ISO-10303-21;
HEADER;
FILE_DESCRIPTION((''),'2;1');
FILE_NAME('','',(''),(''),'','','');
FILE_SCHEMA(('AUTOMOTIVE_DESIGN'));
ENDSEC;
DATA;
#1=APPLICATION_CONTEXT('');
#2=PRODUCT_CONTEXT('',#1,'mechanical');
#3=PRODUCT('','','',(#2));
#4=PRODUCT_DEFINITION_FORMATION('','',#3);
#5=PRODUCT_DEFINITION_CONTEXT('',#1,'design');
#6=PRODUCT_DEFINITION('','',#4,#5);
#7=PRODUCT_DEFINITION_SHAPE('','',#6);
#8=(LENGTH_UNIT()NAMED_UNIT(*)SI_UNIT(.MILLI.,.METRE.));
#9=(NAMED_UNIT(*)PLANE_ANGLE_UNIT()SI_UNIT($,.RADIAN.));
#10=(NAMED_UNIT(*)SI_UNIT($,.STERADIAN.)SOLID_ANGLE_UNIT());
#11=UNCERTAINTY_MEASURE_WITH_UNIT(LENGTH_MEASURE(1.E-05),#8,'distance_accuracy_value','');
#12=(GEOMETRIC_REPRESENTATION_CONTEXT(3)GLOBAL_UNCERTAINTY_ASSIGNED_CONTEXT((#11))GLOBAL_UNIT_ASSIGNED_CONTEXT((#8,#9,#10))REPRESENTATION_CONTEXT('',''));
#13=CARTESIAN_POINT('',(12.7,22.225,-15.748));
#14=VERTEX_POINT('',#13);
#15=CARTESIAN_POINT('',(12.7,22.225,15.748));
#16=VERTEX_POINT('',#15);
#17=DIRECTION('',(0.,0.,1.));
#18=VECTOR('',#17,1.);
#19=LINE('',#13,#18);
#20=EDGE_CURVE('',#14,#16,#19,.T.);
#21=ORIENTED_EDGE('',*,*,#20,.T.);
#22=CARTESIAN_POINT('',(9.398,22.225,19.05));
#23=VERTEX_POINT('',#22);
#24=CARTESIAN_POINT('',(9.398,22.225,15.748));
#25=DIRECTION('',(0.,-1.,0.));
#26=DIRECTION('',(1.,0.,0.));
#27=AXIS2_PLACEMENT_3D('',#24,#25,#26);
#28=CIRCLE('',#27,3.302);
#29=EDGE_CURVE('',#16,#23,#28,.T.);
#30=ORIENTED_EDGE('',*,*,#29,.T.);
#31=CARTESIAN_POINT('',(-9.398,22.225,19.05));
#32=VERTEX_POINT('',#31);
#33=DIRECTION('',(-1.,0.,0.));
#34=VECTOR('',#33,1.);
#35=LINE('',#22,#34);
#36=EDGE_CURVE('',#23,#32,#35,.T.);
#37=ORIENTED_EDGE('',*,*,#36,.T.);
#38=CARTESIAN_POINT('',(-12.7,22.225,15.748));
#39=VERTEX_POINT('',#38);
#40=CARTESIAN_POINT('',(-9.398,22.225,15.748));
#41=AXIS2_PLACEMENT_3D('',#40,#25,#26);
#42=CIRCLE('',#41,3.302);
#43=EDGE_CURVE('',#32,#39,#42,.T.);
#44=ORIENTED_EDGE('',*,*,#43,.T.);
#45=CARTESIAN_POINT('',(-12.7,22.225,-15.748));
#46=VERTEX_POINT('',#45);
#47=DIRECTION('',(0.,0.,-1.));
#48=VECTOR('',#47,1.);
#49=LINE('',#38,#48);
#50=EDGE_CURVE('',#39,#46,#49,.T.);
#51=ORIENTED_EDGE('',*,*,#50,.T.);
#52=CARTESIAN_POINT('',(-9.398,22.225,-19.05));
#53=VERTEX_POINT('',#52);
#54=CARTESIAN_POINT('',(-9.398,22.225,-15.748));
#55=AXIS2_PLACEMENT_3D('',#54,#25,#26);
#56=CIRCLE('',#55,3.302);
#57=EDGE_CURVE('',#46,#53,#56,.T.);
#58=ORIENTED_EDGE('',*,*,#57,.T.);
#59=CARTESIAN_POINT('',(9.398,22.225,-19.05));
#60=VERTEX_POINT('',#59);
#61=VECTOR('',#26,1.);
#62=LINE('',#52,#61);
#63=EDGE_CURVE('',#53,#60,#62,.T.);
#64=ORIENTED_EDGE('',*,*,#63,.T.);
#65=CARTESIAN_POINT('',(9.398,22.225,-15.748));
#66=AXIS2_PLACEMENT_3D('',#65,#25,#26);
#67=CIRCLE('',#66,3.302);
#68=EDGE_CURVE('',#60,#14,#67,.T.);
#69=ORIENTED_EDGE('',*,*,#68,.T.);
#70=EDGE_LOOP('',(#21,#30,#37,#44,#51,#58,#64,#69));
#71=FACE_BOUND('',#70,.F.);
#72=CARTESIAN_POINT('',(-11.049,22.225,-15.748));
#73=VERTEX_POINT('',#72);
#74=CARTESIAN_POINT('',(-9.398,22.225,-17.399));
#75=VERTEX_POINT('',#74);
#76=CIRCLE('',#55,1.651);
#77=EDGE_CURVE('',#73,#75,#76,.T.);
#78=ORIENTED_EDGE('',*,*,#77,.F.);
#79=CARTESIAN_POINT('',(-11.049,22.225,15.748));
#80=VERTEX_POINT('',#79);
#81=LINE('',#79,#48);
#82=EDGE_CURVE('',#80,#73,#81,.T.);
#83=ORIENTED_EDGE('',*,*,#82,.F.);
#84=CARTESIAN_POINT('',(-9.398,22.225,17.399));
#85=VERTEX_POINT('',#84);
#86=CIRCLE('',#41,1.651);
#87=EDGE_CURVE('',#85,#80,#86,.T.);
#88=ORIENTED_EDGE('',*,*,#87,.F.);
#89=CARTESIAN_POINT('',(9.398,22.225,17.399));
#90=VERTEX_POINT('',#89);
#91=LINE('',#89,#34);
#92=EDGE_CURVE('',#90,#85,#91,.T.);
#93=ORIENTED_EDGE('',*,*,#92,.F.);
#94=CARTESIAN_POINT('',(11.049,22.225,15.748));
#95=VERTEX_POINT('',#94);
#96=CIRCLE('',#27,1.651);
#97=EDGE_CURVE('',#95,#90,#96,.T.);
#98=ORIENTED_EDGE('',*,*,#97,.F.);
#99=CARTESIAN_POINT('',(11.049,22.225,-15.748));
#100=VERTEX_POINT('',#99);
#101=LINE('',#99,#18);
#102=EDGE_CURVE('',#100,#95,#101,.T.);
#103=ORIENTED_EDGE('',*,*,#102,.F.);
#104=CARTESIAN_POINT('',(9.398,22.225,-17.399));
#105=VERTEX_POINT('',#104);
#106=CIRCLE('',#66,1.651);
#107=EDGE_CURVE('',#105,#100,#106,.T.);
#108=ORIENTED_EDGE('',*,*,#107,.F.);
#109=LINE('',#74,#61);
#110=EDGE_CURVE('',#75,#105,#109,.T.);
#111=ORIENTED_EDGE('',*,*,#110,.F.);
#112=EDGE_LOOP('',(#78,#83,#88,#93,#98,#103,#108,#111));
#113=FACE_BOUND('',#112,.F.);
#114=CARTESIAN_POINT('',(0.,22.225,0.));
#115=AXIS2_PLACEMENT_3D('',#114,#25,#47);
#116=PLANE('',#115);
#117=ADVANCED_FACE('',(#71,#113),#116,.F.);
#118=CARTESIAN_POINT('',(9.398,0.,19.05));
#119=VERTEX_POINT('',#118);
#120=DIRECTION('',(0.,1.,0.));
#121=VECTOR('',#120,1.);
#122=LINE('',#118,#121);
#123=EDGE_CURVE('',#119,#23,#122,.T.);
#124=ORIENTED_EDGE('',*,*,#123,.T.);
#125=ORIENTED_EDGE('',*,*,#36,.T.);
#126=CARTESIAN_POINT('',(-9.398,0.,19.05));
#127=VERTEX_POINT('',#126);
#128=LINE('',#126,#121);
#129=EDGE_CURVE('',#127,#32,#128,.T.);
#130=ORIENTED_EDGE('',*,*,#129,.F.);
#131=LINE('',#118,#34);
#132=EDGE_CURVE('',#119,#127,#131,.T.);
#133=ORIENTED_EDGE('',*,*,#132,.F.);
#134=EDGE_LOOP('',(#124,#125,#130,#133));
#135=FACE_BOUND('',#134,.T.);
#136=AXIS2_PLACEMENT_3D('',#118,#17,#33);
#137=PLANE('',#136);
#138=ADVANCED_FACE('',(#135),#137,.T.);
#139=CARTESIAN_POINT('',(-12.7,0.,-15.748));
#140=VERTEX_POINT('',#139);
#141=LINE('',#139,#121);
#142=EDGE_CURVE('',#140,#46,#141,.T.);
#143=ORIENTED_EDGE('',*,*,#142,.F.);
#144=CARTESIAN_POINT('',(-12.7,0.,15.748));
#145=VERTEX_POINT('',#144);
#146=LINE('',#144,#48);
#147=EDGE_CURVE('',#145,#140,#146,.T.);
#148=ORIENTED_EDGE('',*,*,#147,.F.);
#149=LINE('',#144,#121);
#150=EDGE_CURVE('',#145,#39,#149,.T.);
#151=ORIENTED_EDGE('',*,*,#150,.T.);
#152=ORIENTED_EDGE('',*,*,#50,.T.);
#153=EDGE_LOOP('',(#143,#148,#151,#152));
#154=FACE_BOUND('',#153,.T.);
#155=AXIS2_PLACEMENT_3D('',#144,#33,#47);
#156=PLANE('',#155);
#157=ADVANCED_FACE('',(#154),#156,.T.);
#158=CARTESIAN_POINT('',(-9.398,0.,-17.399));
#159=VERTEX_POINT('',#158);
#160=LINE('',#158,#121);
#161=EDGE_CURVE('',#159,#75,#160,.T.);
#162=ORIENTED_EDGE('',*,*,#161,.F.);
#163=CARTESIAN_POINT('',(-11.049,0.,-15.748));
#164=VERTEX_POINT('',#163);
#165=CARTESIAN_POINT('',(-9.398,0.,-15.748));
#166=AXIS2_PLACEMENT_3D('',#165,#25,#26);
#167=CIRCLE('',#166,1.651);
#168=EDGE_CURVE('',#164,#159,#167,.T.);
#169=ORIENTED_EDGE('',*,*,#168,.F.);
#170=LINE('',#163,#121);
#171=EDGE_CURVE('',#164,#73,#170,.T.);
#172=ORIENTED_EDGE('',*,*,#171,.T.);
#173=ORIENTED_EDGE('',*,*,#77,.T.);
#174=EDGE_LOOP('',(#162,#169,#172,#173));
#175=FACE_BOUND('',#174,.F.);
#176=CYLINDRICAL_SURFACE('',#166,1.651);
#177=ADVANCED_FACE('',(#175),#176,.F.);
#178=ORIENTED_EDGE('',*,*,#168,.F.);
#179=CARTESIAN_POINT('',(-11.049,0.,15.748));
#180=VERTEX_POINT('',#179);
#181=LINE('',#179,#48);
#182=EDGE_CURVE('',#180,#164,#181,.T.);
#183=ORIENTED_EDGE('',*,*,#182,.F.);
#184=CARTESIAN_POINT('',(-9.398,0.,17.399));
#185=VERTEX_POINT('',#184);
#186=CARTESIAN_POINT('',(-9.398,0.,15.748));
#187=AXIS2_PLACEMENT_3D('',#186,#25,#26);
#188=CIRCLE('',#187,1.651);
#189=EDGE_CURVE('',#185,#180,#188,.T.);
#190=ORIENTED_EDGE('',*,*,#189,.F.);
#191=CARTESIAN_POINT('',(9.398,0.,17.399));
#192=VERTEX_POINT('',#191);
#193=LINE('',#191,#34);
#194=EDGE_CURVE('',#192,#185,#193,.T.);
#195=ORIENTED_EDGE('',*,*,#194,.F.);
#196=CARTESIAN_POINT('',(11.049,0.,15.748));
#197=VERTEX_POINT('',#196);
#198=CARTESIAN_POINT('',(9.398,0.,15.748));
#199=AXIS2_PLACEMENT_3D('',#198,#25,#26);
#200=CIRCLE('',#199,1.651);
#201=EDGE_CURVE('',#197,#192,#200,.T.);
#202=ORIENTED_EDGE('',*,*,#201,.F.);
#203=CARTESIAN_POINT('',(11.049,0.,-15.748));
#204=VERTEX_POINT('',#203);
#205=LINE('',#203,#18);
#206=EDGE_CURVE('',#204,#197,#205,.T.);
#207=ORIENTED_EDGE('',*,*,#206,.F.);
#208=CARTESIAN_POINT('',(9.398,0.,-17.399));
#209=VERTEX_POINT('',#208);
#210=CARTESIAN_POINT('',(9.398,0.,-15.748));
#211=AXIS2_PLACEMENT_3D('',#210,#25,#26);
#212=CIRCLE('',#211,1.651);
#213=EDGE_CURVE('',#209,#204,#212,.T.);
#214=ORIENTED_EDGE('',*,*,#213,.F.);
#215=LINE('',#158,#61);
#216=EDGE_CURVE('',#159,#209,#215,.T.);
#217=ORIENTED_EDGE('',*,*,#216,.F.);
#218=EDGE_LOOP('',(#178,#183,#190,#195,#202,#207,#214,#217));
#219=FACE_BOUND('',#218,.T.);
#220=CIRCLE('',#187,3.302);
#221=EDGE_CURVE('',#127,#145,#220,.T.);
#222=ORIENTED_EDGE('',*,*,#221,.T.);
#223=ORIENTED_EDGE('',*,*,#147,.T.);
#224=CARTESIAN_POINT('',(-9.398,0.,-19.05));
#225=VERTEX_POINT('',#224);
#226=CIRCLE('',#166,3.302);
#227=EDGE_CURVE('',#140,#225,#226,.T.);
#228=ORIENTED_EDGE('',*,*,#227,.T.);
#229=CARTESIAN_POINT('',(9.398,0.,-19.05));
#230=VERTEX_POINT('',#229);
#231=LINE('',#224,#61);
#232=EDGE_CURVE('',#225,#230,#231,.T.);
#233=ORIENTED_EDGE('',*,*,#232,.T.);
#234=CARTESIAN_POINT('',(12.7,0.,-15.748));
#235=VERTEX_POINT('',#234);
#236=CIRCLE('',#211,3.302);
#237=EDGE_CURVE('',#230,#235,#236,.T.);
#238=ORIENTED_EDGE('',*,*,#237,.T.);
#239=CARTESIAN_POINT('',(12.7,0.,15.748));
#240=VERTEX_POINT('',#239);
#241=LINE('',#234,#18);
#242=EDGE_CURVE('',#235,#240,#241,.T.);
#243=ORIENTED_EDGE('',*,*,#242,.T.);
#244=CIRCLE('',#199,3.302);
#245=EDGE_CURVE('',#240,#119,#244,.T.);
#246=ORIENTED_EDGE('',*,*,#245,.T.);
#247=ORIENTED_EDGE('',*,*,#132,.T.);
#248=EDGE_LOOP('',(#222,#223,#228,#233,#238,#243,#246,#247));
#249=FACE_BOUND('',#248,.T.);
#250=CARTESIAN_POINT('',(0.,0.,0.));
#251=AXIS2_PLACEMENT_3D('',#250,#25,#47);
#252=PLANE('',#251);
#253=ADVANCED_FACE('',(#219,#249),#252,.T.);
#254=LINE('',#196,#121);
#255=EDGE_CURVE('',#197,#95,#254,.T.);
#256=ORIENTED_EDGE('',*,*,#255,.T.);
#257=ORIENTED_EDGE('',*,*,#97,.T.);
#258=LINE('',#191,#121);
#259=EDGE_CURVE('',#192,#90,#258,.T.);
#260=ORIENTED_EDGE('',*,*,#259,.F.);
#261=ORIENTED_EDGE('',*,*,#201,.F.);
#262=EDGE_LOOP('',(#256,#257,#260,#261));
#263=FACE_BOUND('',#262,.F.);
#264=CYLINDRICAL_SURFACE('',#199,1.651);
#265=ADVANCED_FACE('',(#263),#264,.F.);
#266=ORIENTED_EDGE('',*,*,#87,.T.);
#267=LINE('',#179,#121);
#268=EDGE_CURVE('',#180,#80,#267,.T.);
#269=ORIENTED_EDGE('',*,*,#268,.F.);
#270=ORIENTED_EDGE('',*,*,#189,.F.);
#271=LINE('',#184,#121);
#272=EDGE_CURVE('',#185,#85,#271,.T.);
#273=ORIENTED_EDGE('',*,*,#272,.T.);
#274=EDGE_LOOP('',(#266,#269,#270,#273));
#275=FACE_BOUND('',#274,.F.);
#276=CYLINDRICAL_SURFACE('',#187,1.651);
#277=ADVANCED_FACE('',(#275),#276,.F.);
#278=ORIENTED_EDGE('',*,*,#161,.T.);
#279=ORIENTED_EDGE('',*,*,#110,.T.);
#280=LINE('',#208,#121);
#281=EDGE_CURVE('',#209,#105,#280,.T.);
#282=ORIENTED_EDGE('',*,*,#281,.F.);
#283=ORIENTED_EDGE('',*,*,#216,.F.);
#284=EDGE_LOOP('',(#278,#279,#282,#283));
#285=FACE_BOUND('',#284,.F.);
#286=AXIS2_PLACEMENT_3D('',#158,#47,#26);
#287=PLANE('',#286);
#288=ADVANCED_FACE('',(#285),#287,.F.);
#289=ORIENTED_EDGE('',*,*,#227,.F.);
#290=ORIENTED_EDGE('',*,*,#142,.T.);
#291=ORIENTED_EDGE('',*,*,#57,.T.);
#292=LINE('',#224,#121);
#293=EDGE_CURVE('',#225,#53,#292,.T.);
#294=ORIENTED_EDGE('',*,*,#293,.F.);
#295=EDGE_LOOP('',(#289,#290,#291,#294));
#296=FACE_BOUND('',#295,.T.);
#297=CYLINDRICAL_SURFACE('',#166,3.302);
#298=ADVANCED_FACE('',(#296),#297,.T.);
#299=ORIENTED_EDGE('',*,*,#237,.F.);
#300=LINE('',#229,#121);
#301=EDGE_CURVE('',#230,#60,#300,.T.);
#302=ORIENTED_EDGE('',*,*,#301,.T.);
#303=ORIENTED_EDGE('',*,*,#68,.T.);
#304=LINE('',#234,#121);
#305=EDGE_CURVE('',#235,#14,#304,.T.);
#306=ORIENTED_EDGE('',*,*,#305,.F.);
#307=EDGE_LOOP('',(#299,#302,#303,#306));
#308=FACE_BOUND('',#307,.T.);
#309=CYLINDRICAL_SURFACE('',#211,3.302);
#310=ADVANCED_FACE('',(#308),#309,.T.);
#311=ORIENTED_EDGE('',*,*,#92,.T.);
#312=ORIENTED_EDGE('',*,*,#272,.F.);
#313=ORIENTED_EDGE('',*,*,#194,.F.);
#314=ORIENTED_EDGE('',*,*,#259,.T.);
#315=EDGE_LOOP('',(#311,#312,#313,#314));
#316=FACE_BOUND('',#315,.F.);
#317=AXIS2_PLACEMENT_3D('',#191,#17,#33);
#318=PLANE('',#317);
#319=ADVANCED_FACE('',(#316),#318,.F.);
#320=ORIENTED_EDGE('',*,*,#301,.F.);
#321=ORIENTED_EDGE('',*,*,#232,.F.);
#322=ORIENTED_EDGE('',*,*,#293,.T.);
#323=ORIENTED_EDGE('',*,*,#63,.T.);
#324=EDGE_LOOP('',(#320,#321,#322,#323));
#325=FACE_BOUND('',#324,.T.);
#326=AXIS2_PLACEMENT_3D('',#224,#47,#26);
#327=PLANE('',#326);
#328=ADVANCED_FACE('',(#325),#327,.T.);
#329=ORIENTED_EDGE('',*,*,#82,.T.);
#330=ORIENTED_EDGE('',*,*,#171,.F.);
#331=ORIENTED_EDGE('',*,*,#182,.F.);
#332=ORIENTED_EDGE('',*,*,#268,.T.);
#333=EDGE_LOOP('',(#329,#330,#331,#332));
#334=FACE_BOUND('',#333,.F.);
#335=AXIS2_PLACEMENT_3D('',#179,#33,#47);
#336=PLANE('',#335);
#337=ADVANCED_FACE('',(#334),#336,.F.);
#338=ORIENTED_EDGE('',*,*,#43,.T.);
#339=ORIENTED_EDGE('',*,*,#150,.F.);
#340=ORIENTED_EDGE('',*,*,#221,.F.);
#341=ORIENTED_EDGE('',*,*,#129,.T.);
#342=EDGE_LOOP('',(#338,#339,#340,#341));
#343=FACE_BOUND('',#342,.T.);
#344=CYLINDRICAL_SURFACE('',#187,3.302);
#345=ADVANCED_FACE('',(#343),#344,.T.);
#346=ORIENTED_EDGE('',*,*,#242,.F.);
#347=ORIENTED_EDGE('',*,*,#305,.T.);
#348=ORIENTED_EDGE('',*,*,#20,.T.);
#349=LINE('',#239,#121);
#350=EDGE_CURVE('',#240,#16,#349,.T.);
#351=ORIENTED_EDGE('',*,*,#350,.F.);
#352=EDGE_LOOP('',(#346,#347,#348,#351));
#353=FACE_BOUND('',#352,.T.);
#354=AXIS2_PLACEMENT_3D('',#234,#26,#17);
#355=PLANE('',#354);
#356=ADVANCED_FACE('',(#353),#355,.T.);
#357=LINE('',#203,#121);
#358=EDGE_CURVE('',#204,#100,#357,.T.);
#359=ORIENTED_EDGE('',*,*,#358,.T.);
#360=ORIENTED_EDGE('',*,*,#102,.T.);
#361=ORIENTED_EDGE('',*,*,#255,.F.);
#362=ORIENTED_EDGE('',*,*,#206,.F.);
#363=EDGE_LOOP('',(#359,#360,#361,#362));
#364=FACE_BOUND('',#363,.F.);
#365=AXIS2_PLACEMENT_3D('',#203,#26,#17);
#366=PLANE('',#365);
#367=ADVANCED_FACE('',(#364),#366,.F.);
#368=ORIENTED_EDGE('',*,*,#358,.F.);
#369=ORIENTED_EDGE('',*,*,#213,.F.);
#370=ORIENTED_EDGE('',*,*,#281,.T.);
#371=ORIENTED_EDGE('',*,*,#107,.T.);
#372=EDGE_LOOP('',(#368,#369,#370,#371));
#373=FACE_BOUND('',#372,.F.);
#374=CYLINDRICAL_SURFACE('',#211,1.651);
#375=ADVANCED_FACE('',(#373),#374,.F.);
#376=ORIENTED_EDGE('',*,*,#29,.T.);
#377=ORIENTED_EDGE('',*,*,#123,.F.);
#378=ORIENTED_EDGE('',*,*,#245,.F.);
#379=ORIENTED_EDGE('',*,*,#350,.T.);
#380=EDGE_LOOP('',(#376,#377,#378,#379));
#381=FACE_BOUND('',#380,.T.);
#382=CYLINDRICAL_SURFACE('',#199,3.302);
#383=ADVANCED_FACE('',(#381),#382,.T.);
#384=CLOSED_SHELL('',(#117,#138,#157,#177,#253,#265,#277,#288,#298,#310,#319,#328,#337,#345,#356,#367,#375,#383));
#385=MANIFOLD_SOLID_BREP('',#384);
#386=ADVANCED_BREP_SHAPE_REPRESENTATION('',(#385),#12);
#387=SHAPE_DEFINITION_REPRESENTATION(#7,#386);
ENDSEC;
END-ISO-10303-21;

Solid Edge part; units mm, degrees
sketch "Sketch1" plane through (0, 0, 0) normal (0, -1, 0) x (1, 0, 0)
  arc A0 (-11.049, -15.748) -> (-9.398, -17.399) centre (-9.398, -15.748) ccw
  line L0 (-9.398, -17.399) -> (9.398, -17.399)
  arc A1 (9.398, -17.399) -> (11.049, -15.748) centre (9.398, -15.748) ccw
  line L1 (11.049, -15.748) -> (11.049, 15.748)
  arc A2 (11.049, 15.748) -> (9.398, 17.399) centre (9.398, 15.748) ccw
  line L2 (9.398, 17.399) -> (-9.398, 17.399)
  arc A3 (-9.398, 17.399) -> (-11.049, 15.748) centre (-9.398, 15.748) ccw
  line L3 (-11.049, 15.748) -> (-11.049, -15.748)
  arc A4 (-12.7, -15.748) -> (-9.398, -19.05) centre (-9.398, -15.748) ccw
  line L4 (-9.398, -19.05) -> (9.398, -19.05)
  arc A5 (9.398, -19.05) -> (12.7, -15.748) centre (9.398, -15.748) ccw
  line L5 (12.7, -15.748) -> (12.7, 15.748)
  arc A6 (12.7, 15.748) -> (9.398, 19.05) centre (9.398, 15.748) ccw
  line L6 (9.398, 19.05) -> (-9.398, 19.05)
  arc A7 (-9.398, 19.05) -> (-12.7, 15.748) centre (-9.398, 15.748) ccw
  line L7 (-12.7, 15.748) -> (-12.7, -15.748)
  dimension "D1" = 12.7
extrude "Protrusion1" add sketch "Sketch1" against normal blind 22.225
